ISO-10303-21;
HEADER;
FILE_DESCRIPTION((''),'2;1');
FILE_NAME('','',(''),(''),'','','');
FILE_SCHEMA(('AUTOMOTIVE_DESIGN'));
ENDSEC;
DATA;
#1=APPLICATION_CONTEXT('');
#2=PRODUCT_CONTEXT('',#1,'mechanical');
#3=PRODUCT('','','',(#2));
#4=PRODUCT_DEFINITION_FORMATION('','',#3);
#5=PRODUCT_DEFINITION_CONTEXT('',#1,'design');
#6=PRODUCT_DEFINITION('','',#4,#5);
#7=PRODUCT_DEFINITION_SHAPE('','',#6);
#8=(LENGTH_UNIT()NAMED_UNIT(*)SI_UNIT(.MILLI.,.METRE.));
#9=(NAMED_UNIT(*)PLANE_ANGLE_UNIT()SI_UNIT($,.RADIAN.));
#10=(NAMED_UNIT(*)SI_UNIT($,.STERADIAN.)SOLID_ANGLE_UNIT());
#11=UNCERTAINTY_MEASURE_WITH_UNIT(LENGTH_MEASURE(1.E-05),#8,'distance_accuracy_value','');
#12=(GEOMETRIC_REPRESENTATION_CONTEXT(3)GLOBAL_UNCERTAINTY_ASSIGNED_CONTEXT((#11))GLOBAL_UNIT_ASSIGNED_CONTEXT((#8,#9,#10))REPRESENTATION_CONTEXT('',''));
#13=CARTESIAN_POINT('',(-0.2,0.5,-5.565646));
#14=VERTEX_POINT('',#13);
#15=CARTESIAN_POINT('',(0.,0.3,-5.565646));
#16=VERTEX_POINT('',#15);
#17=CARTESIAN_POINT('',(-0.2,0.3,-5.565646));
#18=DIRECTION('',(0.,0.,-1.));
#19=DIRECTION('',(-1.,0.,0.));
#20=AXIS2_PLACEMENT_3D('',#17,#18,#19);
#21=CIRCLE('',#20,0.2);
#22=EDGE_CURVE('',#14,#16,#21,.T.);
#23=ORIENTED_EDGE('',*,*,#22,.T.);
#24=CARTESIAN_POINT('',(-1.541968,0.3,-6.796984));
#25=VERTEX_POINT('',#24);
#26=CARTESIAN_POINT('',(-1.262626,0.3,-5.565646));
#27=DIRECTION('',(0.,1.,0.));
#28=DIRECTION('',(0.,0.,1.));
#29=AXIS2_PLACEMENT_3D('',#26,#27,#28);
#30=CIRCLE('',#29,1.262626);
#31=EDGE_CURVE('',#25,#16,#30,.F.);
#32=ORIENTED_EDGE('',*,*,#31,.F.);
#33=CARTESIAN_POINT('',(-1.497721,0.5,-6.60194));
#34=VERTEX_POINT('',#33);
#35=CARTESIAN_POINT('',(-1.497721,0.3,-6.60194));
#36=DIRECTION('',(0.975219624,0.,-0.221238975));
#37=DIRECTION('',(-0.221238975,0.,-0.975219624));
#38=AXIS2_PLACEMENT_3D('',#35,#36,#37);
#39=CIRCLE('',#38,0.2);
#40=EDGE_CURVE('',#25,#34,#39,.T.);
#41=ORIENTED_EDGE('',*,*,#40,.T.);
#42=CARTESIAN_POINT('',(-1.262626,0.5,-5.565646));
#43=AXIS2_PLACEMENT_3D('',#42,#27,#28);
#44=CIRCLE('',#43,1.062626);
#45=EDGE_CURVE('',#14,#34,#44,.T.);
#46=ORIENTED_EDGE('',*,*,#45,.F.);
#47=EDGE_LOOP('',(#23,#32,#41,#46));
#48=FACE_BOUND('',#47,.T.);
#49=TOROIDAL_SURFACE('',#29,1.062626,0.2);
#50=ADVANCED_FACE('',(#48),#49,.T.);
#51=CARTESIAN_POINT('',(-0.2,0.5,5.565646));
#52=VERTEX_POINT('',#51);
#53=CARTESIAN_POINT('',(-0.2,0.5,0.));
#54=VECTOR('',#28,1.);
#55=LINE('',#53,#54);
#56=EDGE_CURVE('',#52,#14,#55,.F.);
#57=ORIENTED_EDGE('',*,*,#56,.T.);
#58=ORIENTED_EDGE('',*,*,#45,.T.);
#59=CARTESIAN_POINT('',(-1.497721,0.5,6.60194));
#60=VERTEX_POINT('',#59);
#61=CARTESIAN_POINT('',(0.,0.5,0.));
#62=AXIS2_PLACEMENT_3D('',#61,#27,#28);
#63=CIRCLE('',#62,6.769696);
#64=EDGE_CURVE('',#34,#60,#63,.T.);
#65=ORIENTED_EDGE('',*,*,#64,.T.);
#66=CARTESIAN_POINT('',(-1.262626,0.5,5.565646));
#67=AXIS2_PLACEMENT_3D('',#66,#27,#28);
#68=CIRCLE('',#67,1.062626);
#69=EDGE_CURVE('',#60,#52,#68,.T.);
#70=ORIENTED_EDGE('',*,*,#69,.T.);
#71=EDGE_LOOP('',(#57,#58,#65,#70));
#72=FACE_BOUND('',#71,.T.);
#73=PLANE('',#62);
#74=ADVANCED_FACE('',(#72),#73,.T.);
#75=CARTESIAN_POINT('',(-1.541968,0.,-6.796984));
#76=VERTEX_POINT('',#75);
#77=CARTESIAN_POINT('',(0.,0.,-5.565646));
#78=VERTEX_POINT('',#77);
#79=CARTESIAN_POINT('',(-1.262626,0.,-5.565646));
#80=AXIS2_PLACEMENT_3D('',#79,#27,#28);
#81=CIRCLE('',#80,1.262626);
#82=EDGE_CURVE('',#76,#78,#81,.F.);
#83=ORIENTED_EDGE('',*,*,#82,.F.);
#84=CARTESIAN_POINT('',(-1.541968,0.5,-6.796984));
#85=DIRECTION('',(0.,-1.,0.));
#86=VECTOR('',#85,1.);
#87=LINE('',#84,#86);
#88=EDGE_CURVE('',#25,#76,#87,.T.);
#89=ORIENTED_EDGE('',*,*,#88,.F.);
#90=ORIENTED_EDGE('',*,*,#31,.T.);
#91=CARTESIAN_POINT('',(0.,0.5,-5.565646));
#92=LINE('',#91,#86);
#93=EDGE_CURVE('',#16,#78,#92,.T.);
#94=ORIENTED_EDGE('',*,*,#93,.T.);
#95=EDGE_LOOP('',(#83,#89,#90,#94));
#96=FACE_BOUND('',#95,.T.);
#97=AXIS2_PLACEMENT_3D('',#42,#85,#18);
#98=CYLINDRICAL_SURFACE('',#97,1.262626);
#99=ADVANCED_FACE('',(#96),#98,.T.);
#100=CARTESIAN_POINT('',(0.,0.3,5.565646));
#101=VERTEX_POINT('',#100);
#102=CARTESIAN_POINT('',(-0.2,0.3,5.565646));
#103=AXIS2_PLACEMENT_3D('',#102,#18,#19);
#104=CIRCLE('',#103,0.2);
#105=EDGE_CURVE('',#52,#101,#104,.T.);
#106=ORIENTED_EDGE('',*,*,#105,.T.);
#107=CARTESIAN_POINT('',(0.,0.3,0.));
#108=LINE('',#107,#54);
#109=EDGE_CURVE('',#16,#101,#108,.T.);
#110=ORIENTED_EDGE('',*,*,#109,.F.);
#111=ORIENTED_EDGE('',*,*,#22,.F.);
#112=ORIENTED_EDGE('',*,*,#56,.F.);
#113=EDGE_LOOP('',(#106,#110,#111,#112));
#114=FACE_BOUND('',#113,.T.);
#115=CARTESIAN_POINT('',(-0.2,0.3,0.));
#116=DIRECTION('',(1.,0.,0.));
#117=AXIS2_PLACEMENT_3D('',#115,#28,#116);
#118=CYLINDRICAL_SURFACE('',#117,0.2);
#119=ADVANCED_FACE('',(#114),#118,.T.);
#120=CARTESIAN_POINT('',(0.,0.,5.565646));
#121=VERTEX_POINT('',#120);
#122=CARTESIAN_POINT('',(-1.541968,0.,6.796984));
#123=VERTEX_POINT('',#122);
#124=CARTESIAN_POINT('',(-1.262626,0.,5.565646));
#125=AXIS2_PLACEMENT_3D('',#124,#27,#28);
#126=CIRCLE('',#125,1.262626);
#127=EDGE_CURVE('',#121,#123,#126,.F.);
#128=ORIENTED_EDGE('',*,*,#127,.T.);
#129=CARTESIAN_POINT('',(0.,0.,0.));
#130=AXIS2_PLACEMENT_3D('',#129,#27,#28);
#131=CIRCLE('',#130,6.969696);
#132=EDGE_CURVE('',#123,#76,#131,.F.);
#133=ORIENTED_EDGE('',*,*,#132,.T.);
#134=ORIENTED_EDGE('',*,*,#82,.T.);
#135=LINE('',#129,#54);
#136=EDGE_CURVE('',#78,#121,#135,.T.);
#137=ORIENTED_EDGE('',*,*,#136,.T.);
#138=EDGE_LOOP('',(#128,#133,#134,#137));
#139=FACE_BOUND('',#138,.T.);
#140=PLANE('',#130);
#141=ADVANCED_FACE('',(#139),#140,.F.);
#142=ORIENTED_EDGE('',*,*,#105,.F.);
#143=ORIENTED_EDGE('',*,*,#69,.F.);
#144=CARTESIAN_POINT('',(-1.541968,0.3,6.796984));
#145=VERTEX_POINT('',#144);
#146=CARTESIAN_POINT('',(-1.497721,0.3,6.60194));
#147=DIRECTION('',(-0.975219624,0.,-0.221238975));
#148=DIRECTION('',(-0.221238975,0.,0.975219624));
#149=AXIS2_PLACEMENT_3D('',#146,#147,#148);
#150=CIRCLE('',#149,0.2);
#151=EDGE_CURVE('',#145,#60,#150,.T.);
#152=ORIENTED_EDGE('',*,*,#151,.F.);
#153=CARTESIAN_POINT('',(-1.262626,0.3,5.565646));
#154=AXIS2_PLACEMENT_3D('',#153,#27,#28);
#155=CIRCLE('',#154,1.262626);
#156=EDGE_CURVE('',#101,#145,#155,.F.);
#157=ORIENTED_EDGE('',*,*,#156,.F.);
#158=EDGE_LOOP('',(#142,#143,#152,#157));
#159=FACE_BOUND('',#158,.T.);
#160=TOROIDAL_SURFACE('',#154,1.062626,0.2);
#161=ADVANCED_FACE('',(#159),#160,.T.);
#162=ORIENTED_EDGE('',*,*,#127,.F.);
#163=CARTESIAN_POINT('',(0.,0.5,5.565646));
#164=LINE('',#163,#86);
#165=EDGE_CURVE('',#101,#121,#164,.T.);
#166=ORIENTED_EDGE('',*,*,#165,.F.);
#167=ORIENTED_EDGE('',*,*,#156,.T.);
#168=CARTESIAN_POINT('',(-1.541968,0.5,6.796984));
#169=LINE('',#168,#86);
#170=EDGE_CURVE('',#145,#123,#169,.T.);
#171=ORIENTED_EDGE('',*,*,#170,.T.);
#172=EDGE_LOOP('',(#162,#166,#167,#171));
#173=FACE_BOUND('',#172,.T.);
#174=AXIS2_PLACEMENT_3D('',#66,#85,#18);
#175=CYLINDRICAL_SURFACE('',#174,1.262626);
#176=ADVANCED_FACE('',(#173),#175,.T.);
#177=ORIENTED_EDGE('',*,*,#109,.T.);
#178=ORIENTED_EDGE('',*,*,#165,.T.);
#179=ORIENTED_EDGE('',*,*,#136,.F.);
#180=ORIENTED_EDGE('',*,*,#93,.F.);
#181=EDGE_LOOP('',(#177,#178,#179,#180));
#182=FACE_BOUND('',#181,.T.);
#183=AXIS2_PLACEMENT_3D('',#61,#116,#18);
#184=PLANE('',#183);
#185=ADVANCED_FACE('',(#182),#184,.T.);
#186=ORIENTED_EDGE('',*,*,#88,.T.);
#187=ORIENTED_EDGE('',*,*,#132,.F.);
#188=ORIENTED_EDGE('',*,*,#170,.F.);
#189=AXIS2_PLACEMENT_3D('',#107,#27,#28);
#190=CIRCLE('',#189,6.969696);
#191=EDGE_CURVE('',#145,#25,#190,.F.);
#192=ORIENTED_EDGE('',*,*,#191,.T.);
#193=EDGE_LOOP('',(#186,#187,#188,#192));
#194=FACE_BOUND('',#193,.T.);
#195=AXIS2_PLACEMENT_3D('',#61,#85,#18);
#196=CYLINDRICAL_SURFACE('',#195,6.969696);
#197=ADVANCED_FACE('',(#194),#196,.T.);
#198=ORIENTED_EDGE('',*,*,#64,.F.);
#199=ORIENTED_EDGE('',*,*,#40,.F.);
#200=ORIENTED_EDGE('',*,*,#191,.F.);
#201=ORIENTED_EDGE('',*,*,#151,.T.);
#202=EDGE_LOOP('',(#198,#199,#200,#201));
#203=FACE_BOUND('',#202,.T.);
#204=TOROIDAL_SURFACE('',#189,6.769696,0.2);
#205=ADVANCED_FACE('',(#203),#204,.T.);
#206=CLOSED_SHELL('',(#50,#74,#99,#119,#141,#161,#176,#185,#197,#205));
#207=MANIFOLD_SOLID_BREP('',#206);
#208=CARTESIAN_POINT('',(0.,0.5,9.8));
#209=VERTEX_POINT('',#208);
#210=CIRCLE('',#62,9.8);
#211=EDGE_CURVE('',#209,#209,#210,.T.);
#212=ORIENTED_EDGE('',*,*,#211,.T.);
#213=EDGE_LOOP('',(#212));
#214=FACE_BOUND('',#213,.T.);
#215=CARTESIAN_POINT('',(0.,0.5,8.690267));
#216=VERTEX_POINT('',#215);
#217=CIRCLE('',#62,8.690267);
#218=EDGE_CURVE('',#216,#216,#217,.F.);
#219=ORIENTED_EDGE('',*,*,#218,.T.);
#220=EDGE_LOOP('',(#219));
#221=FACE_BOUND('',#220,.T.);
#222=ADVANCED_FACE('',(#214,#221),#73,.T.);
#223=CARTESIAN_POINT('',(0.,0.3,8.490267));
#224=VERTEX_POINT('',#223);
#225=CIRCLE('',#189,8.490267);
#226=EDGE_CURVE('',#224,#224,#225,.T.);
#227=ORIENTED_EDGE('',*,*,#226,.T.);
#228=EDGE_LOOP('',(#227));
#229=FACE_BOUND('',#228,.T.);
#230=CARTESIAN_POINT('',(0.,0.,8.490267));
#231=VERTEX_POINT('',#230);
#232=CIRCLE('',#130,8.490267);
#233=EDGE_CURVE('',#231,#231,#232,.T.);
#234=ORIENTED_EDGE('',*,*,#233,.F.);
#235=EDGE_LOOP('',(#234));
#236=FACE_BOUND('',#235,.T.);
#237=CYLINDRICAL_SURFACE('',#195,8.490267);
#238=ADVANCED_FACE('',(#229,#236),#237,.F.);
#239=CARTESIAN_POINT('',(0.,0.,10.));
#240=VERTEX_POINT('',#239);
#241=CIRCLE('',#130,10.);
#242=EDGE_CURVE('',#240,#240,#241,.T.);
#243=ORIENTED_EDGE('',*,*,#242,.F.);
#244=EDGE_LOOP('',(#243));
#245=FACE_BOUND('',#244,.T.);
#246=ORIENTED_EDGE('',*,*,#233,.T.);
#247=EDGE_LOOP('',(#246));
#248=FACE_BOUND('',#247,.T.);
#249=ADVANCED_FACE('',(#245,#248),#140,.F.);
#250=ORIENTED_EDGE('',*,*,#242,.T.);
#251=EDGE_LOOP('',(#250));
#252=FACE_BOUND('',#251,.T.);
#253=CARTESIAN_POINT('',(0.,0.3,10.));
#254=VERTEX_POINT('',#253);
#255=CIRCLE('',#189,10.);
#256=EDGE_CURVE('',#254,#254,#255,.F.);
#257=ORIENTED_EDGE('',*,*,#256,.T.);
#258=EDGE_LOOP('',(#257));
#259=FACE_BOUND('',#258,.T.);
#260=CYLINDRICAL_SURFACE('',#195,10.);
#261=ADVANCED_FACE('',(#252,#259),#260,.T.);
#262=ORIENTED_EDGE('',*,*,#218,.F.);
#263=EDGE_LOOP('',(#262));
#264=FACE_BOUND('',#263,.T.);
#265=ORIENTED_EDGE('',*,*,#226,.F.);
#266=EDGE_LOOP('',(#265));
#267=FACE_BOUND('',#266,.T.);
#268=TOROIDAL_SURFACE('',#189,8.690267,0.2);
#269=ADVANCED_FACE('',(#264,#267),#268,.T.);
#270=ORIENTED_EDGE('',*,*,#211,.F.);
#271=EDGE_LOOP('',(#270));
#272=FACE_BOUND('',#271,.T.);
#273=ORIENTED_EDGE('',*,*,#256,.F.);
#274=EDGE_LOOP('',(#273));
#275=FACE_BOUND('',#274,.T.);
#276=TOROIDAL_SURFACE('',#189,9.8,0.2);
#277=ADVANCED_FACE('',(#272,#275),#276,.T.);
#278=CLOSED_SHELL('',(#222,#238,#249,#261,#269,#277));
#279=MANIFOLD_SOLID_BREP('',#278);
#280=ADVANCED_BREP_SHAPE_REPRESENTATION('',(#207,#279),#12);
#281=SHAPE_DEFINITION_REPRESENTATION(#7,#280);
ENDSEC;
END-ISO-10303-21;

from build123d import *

# Parameters (mm, degrees)
EXTRUDE_1_DEPTH   = 0.5
SKETCH_1_R        = 10
SKETCH_1_R_2      = 8.490267481
EXTRUDE_1_2_DEPTH = 0.5
FILLET_1_R        = 0.2
FILLET_2_R        = 0.2
FILLET_3_R        = 0.2


with BuildPart() as part:
    # Эскиз1 → Бобышка-Вытянуть1 (new body)
    with BuildSketch(Plane(origin=(0, 0, 0), x_dir=(1, 0, 0), z_dir=(0, 1, 0))):
        with BuildLine():
            ThreePointArc((0, -5.565646409), (-0.474742908, -6.552289655), (-1.5419684, -6.796984316))
            ThreePointArc((-1.5419684, -6.796984316), (-6.969696, 0), (-1.5419684, 6.796984316))
            ThreePointArc((-1.5419684, 6.796984316), (-0.474742908, 6.552289655), (0, 5.565646409))
            Line((0, 5.565646409), (0, -5.565646409))
        make_face()
    extrude(amount=EXTRUDE_1_DEPTH)

    # Скругление1
    fillet_1_edges = [part.edges().sort_by_distance(p)[0] for p in [
        (-0.474742908, 0.5, -6.552289655),
        (-6.969696, 0.5, 0),
        (-0.474742908, 0.5, 6.552289655),
        (0, 0.5, 0),
    ]]
    fillet(fillet_1_edges, radius=FILLET_1_R)


with BuildPart() as body_2:
    # Эскиз1 → Extrude 1 2 (new body)
    with BuildSketch(Plane(origin=(0, 0, 0), x_dir=(1, 0, 0), z_dir=(0, 1, 0))):
        with Locations(Location((0, 0, 0), (0, 0, 270))):
            Circle(SKETCH_1_R)
        with Locations(Location((0, 0, 0), (0, 0, 270))):
            Circle(SKETCH_1_R_2, mode=Mode.SUBTRACT)
    extrude(amount=EXTRUDE_1_2_DEPTH)

    # Скругление2
    fillet_2_edges = [body_2.edges().sort_by_distance(p)[0] for p in [
        (0, 0.5, -8.490267481),
    ]]
    fillet(fillet_2_edges, radius=FILLET_2_R)

    # Скругление3
    fillet_3_edges = [body_2.edges().sort_by_distance(p)[0] for p in [
        (0, 0.5, -10),
    ]]
    fillet(fillet_3_edges, radius=FILLET_3_R)


solid = Compound([part.part, body_2.part])
